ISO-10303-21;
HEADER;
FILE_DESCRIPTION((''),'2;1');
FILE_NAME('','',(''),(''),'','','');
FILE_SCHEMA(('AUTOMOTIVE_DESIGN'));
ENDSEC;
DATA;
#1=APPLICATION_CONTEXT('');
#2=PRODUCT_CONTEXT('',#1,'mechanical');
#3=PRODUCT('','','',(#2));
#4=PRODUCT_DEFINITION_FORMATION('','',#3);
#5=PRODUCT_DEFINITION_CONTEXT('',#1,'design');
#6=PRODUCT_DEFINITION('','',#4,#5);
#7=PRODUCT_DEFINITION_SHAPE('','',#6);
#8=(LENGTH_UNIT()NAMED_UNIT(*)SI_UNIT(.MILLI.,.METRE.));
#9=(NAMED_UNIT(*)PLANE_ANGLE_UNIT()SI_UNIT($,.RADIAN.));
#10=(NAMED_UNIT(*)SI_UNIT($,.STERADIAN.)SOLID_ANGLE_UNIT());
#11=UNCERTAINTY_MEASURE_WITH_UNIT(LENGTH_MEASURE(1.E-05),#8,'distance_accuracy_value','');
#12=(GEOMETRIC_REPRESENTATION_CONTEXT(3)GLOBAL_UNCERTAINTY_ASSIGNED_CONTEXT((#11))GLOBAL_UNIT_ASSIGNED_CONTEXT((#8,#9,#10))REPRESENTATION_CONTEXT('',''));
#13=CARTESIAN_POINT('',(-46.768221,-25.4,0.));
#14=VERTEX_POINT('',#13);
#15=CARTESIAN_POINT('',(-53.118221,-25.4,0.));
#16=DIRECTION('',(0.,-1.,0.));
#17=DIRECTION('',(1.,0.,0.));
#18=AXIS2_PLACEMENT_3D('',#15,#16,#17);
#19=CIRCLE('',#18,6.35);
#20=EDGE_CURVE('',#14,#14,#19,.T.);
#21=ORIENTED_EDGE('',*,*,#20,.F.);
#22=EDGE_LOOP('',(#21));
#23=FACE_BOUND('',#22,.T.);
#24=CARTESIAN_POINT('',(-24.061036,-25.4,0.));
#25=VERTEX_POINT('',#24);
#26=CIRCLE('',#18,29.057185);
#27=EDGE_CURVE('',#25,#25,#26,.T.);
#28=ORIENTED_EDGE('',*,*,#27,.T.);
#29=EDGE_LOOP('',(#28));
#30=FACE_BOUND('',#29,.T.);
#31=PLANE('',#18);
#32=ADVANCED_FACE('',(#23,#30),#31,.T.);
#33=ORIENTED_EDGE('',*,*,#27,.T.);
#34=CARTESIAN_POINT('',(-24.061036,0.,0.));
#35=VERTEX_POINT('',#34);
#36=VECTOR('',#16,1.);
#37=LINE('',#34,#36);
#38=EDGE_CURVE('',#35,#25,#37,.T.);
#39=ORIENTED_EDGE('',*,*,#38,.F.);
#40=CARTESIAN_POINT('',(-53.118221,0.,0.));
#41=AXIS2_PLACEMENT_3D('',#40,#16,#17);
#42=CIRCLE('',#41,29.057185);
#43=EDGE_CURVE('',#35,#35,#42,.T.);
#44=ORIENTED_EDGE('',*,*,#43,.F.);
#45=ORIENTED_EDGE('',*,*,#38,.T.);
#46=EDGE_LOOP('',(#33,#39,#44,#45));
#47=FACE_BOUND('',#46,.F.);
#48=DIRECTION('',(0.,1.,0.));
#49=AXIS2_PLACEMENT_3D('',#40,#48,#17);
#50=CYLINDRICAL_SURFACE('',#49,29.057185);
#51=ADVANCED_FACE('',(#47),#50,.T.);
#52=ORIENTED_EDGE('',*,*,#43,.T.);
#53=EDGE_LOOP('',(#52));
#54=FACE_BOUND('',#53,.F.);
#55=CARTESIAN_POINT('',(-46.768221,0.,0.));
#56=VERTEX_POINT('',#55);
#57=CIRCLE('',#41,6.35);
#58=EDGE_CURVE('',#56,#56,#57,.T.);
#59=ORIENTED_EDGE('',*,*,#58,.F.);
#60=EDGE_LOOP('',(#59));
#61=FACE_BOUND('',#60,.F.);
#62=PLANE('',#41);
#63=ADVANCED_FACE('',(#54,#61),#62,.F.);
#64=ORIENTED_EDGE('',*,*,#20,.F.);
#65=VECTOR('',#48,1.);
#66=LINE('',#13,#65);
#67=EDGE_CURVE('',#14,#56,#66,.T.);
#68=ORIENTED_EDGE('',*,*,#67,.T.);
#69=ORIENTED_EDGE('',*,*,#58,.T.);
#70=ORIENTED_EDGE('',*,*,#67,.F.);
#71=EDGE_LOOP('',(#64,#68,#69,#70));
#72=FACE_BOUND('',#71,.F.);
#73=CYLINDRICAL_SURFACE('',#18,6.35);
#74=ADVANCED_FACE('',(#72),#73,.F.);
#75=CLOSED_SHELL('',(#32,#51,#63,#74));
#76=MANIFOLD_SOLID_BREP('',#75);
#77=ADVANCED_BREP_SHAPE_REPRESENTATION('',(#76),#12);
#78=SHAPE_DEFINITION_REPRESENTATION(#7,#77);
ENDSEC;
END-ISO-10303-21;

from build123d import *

# Parameters (mm, degrees)
F0_R     = 29.057185
F1_DEPTH = 25.4
F2_R     = 6.35
F3_DEPTH = 25.4


with BuildPart() as f1:
    # F0 (on Front) → F1 (new body)
    with BuildSketch(Plane.XZ):
        with Locations((-53.118221, 0)):
            Circle(F0_R)
    extrude(amount=F1_DEPTH)

    # F2 (on face) → F3 (cut, through all)
    with BuildSketch(Plane.XZ.offset(25.4)):
        with Locations((-53.118221, 0)):
            Circle(F2_R)
    extrude(amount=-F3_DEPTH, mode=Mode.SUBTRACT)


solid = f1.part
